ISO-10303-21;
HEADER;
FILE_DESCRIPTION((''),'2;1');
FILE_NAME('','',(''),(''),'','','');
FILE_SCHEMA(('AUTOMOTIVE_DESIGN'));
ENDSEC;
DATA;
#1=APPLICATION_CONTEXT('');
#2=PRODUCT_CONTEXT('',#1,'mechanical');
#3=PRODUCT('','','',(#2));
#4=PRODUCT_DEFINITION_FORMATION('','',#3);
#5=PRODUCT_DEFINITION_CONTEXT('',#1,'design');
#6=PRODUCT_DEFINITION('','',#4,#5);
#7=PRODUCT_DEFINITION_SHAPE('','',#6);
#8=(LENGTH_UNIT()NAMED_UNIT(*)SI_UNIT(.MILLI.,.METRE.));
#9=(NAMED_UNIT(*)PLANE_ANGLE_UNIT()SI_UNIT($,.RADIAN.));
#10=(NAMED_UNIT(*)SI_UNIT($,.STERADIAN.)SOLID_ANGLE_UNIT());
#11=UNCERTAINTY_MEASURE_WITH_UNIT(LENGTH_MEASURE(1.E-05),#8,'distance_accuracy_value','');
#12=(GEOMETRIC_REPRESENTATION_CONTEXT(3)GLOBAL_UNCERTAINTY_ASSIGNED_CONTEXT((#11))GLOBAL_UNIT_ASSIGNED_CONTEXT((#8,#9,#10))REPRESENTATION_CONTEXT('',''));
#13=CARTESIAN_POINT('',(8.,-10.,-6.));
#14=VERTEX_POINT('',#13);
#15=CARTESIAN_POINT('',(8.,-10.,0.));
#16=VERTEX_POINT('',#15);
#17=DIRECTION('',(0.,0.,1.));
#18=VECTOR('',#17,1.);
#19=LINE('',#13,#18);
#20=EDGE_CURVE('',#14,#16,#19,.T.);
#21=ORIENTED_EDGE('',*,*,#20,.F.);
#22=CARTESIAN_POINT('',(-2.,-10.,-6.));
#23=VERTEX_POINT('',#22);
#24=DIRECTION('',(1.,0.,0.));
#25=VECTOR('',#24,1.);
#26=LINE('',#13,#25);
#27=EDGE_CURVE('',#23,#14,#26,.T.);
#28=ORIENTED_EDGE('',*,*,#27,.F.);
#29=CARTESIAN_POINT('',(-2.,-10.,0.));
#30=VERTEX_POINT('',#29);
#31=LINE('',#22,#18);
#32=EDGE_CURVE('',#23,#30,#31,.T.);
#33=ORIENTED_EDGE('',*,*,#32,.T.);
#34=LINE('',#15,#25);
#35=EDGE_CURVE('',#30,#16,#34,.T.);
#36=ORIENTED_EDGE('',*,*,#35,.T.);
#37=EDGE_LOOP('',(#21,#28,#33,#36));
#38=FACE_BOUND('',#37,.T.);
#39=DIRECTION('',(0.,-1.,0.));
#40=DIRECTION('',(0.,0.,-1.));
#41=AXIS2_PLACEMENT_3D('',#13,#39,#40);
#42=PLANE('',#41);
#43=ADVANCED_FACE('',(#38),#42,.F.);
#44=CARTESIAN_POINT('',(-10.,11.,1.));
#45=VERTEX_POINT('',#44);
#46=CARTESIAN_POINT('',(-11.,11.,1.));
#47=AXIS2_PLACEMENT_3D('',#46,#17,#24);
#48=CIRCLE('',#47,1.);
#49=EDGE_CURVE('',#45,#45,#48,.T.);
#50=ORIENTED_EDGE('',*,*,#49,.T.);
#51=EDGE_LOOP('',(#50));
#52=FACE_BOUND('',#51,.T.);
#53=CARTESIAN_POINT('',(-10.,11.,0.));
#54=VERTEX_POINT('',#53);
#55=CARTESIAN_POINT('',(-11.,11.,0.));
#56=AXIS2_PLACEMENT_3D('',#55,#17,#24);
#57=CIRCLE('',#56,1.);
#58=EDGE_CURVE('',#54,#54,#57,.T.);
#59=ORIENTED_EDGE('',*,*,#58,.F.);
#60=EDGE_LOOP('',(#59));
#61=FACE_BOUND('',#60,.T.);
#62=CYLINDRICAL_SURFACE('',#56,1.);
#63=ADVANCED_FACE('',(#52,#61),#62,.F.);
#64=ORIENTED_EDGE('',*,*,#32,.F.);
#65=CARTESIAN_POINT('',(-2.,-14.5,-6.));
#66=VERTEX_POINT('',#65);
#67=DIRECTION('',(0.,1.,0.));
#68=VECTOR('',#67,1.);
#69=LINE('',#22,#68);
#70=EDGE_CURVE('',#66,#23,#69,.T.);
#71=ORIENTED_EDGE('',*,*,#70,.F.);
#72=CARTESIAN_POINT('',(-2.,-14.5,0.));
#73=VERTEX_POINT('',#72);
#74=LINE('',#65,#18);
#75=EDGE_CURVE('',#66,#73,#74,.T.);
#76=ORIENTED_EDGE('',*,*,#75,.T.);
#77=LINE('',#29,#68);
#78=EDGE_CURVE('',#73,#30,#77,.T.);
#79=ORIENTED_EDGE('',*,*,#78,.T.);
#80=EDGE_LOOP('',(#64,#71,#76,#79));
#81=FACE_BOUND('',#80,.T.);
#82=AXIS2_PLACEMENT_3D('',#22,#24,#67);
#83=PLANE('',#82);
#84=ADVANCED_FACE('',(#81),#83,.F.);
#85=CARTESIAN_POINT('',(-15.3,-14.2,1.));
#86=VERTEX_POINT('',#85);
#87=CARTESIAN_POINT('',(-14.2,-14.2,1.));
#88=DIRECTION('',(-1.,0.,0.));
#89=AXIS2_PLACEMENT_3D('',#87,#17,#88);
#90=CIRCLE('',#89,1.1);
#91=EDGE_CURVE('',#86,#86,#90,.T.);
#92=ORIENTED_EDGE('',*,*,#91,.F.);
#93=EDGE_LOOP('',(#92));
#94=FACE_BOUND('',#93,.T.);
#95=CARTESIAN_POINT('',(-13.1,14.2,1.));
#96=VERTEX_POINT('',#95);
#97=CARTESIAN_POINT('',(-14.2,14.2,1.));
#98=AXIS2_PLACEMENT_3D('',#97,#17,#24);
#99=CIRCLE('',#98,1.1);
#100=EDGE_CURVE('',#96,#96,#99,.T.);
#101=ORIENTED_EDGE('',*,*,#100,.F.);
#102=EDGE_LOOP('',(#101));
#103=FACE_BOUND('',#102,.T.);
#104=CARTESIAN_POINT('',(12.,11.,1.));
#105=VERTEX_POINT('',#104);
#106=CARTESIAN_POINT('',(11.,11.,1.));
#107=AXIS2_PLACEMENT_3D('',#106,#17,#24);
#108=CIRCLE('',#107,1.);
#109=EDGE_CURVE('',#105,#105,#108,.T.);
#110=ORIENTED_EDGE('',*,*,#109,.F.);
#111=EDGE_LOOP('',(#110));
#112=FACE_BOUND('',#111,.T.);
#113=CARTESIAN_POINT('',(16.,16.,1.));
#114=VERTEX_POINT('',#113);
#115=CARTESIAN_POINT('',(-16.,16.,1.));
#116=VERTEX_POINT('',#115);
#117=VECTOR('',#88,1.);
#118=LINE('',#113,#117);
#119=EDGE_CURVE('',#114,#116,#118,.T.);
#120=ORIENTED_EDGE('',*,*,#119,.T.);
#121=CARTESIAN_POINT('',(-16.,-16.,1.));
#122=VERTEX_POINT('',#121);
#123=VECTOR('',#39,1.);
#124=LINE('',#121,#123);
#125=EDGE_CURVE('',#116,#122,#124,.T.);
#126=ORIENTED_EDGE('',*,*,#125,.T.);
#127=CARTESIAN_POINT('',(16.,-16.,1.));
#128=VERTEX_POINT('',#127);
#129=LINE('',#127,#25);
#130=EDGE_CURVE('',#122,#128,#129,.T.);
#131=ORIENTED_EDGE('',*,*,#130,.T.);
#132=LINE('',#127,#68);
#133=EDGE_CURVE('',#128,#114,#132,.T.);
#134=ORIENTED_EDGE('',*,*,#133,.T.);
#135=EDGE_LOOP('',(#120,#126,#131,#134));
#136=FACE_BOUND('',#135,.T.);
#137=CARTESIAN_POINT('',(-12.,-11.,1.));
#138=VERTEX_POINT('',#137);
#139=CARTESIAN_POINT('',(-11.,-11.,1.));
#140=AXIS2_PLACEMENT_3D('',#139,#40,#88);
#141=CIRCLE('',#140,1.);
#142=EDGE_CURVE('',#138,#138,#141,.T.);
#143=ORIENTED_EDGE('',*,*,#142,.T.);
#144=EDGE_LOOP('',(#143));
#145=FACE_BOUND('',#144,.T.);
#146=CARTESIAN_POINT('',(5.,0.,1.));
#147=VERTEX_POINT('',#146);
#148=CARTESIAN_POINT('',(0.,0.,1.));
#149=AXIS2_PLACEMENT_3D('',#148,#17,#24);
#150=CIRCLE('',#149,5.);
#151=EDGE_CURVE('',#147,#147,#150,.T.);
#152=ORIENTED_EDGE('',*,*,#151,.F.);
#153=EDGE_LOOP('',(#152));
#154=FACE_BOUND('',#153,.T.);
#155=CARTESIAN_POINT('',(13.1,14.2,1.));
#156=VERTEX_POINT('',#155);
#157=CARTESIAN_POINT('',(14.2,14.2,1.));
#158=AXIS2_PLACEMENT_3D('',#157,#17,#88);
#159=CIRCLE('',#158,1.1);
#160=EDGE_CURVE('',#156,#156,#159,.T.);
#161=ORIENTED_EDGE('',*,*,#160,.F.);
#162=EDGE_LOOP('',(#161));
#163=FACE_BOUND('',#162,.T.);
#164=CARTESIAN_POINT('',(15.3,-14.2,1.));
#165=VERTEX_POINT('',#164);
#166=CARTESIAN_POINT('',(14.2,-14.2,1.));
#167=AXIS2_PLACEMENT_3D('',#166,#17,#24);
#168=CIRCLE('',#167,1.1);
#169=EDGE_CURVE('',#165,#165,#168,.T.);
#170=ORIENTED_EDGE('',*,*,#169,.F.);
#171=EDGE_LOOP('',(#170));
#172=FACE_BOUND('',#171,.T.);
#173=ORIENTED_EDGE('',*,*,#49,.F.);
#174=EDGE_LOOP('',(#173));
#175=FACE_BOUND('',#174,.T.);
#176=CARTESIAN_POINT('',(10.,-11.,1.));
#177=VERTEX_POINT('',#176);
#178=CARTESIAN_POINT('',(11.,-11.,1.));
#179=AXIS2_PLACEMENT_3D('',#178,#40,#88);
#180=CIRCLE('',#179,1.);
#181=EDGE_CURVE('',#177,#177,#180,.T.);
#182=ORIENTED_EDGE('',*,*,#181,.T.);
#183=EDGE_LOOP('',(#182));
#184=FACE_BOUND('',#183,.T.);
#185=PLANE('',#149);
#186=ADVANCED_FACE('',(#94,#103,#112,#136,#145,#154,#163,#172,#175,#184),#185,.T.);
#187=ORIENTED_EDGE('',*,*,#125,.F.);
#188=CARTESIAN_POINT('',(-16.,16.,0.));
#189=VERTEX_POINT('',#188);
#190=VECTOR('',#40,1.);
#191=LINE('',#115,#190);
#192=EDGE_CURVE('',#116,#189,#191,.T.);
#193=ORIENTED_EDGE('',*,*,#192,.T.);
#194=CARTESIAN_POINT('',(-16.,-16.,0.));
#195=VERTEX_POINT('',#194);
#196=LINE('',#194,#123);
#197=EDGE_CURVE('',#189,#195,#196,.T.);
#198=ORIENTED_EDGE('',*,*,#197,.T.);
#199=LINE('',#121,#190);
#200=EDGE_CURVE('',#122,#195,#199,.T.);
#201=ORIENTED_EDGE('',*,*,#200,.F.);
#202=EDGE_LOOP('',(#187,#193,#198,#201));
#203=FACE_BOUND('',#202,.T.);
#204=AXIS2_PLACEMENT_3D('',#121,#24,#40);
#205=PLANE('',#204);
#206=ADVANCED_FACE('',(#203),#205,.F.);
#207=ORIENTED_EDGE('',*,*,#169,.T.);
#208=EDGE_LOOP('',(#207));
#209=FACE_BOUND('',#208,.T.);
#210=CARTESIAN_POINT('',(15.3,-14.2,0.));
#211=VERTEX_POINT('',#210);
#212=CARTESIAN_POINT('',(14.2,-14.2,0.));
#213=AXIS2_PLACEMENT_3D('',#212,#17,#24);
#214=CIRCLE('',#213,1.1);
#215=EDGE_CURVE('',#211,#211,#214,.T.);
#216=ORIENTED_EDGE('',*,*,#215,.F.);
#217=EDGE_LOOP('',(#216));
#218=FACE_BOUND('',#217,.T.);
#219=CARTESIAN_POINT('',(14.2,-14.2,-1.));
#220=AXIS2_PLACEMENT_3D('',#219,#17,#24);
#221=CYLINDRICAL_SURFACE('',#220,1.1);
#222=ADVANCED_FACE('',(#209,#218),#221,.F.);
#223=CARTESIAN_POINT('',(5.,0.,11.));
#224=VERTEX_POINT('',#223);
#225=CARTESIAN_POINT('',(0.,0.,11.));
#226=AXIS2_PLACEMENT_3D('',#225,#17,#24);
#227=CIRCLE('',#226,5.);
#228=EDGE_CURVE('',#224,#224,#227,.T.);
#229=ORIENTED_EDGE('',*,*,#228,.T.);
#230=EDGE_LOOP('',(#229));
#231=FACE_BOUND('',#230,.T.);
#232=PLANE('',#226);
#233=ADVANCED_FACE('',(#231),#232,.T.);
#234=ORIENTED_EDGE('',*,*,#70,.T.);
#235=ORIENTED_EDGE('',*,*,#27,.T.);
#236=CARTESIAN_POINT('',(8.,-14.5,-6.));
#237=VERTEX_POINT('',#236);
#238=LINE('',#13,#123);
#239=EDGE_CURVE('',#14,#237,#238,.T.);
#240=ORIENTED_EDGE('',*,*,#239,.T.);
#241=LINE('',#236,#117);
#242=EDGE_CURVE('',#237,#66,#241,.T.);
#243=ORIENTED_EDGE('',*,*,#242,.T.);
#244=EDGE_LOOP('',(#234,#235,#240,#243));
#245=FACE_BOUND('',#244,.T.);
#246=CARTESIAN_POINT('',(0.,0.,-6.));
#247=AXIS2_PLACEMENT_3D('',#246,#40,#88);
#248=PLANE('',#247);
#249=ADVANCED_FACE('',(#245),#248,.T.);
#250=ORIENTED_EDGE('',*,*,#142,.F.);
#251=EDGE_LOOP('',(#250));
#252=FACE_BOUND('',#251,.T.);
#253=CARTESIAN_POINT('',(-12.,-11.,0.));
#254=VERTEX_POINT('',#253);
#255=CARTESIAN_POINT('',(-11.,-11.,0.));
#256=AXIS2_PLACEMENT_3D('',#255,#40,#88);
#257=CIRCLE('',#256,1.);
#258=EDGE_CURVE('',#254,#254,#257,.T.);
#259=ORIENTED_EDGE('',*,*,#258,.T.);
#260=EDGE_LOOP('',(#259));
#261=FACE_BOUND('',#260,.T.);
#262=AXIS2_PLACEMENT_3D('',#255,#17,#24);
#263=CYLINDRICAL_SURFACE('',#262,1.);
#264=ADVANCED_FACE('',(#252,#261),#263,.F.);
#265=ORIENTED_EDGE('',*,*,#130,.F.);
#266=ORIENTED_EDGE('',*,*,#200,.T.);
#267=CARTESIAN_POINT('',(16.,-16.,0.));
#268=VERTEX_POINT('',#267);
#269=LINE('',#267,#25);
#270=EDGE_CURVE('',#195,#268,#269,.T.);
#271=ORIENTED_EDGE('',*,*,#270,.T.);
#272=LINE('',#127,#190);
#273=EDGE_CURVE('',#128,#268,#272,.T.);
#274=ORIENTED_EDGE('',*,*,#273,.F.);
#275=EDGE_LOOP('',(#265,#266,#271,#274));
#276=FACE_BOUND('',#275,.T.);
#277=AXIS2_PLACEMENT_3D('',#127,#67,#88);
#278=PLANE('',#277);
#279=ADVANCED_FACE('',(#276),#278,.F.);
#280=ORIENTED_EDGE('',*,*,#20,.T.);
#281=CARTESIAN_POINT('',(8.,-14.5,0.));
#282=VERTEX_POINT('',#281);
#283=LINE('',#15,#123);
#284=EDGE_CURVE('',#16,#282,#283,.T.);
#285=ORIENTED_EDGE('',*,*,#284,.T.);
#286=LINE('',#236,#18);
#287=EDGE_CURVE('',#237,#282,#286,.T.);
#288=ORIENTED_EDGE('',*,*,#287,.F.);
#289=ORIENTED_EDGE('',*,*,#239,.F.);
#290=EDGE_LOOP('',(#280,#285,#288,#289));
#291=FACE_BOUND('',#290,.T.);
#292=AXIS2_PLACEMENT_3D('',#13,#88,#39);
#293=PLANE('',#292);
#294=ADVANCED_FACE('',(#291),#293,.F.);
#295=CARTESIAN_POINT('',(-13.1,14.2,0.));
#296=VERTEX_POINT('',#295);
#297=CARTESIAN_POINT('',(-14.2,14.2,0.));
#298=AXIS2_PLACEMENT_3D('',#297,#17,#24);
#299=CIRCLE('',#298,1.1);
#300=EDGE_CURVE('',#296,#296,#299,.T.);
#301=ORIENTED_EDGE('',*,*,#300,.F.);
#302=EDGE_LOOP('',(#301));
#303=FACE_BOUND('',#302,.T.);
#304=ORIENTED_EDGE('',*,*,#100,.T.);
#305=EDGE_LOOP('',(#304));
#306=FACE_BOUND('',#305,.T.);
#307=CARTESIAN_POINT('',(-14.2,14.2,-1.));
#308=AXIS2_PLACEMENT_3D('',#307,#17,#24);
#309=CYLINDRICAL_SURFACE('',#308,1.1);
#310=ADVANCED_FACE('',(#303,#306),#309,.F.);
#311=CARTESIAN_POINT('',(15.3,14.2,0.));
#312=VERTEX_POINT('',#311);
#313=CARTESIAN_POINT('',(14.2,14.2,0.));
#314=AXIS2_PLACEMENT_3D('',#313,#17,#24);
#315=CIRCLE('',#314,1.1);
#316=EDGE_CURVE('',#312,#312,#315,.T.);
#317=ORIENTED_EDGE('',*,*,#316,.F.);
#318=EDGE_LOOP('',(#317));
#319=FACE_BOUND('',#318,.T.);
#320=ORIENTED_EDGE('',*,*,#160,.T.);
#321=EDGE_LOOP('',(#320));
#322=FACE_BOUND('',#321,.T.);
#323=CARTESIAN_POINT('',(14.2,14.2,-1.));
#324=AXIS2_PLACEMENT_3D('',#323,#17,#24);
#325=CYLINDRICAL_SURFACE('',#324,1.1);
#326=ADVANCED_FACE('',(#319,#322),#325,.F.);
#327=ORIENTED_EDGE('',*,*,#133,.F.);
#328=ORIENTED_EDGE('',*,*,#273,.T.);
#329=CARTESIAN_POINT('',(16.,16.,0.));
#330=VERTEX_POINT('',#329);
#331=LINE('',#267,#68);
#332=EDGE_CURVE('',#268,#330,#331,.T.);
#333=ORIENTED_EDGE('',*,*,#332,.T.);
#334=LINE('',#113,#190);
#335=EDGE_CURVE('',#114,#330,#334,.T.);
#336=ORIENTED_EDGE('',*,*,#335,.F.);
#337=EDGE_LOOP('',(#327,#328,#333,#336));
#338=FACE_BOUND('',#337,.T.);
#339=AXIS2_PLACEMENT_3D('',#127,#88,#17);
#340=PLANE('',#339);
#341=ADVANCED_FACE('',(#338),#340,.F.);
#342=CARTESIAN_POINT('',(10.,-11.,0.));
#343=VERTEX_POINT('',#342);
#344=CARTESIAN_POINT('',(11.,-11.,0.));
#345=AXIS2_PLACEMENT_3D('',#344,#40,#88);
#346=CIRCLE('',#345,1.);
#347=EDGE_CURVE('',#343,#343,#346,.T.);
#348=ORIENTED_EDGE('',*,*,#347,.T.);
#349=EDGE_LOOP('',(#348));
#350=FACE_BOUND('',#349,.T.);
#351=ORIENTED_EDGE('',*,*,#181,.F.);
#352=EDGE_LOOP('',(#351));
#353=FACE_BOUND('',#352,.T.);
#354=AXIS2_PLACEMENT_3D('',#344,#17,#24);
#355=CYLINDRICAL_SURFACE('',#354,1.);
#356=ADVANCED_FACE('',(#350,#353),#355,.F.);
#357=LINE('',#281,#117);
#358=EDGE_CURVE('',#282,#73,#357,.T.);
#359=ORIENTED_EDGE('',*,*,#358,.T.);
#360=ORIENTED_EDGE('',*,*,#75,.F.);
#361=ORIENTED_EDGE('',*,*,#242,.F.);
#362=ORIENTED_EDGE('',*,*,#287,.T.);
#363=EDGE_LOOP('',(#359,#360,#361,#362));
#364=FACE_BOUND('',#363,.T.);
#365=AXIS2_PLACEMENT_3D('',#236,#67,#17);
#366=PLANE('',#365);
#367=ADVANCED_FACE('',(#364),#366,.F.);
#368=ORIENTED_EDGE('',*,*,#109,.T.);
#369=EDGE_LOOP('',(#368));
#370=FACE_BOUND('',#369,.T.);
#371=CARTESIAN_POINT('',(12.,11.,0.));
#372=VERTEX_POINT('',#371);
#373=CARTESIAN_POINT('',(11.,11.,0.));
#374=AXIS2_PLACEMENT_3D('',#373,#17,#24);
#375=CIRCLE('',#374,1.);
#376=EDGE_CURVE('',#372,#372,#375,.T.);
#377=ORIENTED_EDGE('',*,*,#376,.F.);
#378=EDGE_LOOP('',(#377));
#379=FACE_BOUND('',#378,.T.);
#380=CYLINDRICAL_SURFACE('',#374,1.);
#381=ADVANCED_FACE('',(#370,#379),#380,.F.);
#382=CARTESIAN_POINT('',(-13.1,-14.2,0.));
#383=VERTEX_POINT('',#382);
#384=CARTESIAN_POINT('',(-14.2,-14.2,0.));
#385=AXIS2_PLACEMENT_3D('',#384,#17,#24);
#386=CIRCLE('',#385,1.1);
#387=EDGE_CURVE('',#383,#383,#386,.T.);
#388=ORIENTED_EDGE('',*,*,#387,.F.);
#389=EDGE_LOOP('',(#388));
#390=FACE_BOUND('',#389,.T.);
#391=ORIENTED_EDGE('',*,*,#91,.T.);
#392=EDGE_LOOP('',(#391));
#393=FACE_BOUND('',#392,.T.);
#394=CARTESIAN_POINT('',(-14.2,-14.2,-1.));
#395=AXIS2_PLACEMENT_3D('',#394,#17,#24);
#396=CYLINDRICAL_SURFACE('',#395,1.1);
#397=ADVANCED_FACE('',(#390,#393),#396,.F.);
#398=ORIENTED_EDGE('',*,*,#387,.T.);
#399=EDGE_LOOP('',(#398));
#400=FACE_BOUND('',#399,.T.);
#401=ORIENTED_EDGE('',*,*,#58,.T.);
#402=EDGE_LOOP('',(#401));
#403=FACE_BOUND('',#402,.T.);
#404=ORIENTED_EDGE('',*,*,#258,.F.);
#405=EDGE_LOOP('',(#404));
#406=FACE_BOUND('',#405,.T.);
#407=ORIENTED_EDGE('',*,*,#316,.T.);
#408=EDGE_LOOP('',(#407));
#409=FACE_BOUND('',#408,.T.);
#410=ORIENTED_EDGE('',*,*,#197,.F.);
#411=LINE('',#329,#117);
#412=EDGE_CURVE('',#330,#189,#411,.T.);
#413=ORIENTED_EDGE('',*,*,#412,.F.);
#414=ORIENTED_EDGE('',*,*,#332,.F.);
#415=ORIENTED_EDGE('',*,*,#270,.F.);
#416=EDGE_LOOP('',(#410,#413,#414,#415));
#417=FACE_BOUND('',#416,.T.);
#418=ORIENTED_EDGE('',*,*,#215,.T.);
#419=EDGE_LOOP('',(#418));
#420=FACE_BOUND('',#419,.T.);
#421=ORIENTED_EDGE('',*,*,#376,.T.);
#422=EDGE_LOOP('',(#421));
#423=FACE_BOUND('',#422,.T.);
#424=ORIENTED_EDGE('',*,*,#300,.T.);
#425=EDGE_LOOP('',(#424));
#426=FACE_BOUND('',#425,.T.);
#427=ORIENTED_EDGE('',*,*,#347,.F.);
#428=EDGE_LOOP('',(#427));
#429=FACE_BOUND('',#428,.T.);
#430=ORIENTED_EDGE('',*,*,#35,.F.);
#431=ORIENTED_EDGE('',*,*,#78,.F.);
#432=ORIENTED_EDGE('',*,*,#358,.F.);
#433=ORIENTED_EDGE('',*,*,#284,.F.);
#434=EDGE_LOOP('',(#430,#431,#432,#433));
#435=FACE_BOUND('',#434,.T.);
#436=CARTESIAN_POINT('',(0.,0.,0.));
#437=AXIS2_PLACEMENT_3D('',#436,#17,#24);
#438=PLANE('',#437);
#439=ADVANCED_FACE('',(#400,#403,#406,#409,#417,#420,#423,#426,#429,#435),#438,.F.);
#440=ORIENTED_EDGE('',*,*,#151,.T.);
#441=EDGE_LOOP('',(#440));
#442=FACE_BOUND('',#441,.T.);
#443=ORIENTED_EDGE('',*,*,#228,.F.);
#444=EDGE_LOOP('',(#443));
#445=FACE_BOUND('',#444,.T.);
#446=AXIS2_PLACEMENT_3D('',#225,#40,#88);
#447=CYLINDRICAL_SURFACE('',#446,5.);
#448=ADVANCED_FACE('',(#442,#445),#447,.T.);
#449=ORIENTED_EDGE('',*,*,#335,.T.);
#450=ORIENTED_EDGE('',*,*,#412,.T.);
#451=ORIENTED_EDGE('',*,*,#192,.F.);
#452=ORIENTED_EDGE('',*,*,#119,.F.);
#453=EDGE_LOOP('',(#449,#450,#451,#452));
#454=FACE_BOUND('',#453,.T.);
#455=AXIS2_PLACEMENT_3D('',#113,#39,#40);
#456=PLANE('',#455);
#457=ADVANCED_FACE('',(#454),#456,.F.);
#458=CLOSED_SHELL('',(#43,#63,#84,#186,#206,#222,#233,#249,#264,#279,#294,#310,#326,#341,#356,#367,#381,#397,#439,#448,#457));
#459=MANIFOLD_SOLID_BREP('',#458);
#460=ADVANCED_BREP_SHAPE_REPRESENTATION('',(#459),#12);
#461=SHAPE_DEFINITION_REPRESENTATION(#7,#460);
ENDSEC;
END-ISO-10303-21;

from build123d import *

# Parameters (mm, degrees)
SKETCH1_W           = 32
SKETCH1_H           = 32
BOSS_EXTRUDE1_DEPTH = 1
SKETCH2_R           = 1
CUT_EXTRUDE1_DEPTH  = 1
SKETCH3_R           = 5
BOSS_EXTRUDE2_DEPTH = 10
SKETCH4_W           = 10
SKETCH4_H           = 4.5
BOSS_EXTRUDE3_DEPTH = 6
SKETCH5_R           = 1.1
CUT_EXTRUDE2_DEPTH  = 2


with BuildPart() as part:
    # Sketch1 → Boss-Extrude1 (new body)
    with BuildSketch(Plane.XY):
        Rectangle(SKETCH1_W, SKETCH1_H)
    extrude(amount=BOSS_EXTRUDE1_DEPTH)

    # Sketch2 → Cut-Extrude1 (cut)
    with BuildSketch(Plane.XY.offset(1)):
        with Locations((-11, 11)):
            Circle(SKETCH2_R)
        with Locations((11, 11)):
            Circle(SKETCH2_R)
        with Locations((11, -11)):
            Circle(SKETCH2_R)
        with Locations((-11, -11)):
            Circle(SKETCH2_R)
    extrude(amount=-CUT_EXTRUDE1_DEPTH, mode=Mode.SUBTRACT)

    # Sketch3 → Boss-Extrude2 (add)
    with BuildSketch(Plane.XY.offset(1)):
        Circle(SKETCH3_R)
    extrude(amount=BOSS_EXTRUDE2_DEPTH)

    # Sketch4 → Boss-Extrude3 (add)
    with BuildSketch(Plane(origin=(0, 0, 0), x_dir=(-1, 0, 0), z_dir=(0, 0, -1))):
        with Locations((-3, -12.25)):
            Rectangle(SKETCH4_W, SKETCH4_H)
    extrude(amount=BOSS_EXTRUDE3_DEPTH)

    # Sketch5 → Cut-Extrude2 (cut)
    with BuildSketch(Plane.XY.offset(1)):
        with Locations((-14.2, 14.2)):
            Circle(SKETCH5_R)
        with Locations((14.2, 14.2)):
            Circle(SKETCH5_R)
        with Locations((14.2, -14.2)):
            Circle(SKETCH5_R)
        with Locations((-14.2, -14.2)):
            Circle(SKETCH5_R)
    extrude(amount=-CUT_EXTRUDE2_DEPTH, mode=Mode.SUBTRACT)


solid = part.part
